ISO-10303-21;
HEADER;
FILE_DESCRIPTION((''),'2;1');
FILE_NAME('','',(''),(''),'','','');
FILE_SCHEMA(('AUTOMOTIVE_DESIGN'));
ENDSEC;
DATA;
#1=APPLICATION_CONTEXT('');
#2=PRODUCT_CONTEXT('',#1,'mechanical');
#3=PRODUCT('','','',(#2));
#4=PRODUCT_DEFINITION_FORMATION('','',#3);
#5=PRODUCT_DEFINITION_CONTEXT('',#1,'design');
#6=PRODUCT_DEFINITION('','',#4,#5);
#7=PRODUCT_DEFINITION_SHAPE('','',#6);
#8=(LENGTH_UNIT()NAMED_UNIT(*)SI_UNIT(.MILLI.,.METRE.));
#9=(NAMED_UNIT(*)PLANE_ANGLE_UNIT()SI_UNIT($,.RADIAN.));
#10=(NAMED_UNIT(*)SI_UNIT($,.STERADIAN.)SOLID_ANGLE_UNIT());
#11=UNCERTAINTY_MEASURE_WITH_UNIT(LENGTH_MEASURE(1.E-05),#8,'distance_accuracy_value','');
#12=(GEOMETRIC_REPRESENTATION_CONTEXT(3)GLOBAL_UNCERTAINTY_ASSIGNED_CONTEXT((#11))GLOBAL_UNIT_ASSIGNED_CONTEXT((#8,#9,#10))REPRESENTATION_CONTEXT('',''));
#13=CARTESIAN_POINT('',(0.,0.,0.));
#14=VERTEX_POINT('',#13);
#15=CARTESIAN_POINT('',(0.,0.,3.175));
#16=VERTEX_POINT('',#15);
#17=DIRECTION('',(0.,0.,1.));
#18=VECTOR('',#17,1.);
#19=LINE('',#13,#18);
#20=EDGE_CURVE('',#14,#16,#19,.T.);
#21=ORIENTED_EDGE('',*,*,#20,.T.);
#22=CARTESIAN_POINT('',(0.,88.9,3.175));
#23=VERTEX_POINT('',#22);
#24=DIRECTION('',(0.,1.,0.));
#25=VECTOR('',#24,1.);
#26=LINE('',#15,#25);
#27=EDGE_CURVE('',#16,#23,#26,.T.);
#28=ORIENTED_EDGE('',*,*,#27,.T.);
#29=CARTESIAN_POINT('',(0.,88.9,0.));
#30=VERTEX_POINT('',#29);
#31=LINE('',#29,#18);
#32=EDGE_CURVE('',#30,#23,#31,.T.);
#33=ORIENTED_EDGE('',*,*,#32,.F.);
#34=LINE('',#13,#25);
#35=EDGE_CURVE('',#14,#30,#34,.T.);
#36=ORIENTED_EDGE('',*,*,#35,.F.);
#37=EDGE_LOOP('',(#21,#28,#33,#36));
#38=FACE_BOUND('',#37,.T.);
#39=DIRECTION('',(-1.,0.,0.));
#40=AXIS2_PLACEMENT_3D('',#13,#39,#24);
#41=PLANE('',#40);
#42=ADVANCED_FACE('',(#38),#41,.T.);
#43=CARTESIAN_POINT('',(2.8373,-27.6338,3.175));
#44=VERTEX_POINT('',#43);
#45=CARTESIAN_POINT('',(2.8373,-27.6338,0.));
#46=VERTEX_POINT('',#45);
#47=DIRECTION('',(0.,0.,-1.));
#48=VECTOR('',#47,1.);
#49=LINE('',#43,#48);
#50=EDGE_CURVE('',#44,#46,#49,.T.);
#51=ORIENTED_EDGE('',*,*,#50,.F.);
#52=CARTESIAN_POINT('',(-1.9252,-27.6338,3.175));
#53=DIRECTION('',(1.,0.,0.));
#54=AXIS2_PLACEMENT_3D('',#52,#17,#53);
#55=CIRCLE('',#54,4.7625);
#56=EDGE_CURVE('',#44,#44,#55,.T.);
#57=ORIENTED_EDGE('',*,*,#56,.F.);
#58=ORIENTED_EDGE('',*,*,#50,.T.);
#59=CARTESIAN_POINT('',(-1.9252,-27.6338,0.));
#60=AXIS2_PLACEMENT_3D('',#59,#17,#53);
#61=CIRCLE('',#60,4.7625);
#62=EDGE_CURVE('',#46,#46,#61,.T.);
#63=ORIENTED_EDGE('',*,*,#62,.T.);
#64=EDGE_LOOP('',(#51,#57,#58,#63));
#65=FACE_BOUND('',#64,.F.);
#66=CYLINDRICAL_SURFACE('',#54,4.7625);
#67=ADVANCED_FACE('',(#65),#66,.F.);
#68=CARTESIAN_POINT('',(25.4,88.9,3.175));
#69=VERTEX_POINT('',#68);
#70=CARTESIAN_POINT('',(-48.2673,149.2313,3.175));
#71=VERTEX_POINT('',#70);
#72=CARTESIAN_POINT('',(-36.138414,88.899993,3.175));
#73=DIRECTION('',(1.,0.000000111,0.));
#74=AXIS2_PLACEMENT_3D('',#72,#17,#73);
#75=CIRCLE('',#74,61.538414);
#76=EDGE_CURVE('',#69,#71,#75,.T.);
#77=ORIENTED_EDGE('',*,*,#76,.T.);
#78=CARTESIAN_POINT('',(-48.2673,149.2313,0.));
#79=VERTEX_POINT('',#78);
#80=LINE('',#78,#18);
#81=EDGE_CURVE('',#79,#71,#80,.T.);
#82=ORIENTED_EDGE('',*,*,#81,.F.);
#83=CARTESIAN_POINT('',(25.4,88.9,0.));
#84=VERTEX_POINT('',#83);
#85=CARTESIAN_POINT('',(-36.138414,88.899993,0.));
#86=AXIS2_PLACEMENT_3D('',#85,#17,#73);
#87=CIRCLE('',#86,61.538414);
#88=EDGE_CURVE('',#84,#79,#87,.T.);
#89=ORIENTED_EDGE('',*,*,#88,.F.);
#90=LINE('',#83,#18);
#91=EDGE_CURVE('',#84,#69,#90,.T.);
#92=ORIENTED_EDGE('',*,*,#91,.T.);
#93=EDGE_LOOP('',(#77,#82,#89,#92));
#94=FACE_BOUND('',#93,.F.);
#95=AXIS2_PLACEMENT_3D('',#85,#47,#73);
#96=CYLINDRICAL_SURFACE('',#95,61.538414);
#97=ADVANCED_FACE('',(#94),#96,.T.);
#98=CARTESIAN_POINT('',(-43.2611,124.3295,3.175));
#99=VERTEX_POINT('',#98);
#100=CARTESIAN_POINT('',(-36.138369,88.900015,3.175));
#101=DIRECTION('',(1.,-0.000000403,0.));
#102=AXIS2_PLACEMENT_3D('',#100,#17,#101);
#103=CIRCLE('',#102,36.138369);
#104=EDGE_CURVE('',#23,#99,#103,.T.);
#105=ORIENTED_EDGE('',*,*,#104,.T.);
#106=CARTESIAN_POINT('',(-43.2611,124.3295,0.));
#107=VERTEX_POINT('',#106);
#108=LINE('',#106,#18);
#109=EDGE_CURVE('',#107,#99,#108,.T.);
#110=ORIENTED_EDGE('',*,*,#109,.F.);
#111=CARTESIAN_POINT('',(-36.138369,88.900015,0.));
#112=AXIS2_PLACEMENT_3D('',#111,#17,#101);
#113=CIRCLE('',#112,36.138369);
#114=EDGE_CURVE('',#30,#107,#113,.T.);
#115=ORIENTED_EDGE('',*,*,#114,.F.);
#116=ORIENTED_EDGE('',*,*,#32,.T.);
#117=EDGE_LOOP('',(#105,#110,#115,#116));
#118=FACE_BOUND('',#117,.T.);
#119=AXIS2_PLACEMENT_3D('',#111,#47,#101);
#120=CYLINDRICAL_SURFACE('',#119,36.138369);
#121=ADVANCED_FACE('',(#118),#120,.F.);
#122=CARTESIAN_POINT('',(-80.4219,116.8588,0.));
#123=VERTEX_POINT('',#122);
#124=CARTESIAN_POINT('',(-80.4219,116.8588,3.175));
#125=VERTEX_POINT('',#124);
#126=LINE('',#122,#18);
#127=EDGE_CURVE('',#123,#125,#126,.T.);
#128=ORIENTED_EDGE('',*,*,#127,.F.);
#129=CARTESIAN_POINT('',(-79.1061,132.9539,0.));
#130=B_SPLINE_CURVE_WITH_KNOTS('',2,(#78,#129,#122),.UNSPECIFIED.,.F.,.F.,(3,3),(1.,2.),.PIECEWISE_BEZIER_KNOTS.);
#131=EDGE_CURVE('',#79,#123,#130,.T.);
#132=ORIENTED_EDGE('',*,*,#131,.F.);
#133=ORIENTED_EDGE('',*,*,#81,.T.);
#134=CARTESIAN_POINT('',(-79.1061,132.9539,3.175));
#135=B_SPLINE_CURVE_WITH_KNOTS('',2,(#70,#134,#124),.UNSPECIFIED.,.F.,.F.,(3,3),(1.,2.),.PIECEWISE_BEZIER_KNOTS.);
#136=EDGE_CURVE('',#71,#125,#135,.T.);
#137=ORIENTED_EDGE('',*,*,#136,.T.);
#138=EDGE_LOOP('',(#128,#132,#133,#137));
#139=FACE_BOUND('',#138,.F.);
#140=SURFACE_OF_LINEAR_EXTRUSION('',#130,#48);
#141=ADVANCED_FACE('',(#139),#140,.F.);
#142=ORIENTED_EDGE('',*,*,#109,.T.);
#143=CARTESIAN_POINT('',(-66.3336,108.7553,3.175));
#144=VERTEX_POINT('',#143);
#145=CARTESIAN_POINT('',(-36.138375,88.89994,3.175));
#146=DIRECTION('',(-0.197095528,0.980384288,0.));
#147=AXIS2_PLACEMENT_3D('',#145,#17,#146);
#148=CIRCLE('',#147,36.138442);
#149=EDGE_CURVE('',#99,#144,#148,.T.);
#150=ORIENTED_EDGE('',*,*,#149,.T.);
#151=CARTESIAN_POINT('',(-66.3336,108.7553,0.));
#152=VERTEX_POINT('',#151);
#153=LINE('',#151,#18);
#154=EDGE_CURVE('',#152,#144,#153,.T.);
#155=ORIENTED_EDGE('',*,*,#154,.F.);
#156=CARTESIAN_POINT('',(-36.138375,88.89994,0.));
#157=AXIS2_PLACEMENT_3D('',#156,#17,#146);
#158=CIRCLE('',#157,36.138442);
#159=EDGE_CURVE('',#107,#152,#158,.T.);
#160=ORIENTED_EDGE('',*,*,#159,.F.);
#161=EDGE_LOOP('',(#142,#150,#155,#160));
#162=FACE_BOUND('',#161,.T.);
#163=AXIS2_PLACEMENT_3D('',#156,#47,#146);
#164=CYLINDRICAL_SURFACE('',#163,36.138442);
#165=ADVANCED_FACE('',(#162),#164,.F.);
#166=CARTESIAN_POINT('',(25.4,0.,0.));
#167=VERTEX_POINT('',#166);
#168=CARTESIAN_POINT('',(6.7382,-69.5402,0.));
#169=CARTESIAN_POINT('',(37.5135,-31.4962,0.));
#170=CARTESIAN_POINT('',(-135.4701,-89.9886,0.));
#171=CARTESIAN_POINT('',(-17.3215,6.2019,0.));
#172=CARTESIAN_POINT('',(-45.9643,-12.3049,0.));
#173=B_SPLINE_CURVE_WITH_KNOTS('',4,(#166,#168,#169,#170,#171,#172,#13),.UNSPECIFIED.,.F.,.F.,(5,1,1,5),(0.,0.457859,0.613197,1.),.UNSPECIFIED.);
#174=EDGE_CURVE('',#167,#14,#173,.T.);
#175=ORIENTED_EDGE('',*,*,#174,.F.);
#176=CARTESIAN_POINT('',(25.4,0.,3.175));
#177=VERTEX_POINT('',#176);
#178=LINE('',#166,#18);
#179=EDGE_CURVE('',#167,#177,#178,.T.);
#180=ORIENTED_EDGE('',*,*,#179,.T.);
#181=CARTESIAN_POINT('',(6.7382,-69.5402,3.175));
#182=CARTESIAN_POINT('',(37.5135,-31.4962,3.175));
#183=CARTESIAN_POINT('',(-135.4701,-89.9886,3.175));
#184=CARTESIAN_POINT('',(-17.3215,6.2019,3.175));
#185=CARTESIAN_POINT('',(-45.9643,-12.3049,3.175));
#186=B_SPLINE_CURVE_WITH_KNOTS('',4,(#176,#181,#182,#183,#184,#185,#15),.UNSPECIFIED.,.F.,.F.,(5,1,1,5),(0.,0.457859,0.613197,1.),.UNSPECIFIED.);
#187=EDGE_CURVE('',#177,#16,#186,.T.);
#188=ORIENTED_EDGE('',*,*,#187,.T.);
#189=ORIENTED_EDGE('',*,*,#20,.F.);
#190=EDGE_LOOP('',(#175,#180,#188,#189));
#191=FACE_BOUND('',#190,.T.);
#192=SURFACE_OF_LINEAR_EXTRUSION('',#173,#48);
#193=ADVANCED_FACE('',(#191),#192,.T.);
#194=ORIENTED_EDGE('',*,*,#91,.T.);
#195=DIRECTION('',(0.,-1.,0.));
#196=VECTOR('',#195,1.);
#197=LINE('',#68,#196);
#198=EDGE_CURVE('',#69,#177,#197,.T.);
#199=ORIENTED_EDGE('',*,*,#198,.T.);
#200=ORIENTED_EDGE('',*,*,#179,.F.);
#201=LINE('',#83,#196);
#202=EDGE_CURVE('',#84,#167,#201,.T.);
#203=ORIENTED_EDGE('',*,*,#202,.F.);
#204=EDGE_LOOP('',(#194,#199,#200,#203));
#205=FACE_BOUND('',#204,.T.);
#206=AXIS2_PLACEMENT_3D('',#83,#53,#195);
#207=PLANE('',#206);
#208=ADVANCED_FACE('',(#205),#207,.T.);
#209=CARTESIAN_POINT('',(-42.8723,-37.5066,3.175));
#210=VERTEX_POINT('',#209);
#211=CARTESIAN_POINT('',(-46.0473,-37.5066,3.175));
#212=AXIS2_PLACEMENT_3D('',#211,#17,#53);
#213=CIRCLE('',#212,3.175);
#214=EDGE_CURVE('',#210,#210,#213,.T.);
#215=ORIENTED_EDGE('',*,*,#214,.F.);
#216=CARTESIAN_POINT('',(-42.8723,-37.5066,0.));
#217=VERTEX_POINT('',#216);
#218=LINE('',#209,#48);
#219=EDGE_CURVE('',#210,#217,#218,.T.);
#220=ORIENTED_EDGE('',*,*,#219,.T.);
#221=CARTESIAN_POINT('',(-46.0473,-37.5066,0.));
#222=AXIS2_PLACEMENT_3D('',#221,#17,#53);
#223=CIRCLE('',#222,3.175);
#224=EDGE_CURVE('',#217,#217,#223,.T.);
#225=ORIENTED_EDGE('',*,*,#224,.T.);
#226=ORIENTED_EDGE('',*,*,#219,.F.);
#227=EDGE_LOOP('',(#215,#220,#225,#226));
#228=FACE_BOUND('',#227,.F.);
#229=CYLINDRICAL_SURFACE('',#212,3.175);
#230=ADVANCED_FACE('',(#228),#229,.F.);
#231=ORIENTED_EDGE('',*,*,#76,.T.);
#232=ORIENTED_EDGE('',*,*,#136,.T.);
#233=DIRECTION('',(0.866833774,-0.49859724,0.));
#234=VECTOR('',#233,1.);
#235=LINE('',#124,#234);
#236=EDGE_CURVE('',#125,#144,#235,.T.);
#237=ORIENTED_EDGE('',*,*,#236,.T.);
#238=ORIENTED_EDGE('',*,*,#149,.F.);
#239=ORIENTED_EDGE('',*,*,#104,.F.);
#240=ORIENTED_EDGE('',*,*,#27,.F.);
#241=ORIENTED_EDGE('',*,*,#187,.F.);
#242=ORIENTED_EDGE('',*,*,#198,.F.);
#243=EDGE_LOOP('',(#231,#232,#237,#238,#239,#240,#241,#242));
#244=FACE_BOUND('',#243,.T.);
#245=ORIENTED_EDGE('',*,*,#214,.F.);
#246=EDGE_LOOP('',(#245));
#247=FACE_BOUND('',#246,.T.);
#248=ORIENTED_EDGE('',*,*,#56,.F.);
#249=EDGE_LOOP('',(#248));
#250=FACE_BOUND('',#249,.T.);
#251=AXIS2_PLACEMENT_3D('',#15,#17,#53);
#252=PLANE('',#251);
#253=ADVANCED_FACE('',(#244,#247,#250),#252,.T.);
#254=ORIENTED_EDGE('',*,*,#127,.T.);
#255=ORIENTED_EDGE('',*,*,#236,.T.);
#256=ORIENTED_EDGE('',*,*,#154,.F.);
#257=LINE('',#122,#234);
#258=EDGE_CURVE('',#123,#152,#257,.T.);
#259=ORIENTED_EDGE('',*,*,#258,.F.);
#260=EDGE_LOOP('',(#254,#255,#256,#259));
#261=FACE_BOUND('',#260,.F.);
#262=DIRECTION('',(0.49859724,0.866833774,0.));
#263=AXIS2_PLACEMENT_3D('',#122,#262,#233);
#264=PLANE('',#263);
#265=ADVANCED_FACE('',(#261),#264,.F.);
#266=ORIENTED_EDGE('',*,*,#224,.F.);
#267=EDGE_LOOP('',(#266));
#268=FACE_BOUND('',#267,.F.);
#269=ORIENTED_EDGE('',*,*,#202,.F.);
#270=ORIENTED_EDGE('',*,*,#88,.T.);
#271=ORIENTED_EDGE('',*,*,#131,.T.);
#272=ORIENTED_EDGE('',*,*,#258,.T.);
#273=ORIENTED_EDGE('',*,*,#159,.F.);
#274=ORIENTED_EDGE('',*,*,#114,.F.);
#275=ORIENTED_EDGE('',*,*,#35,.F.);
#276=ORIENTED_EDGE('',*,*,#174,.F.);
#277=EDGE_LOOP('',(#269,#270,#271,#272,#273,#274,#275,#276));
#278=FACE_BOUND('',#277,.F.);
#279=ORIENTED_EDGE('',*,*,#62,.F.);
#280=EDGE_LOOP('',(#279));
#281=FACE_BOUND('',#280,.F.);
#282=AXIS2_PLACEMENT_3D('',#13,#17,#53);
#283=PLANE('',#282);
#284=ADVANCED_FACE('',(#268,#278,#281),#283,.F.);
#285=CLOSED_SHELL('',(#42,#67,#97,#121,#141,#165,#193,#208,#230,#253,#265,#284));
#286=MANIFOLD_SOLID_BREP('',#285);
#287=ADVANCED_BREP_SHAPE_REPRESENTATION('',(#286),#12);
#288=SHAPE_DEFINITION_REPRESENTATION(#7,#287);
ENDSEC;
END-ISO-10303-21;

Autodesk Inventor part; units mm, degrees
ref_plane "YZ Plane" through (0, 0, 0) normal (1, 0, 0) x (0, 1, 0)
ref_plane "XZ Plane" through (0, 0, 0) normal (0, 1, 0) x (-1, 0, 0)
ref_plane "XY Plane" through (0, 0, 0) normal (0, 0, 1) x (1, 0, 0)
sketch "Sketch1" plane through (0, 0, 0) normal (0, 0, 1) x (1, 0, 0)
  line L0 (0, 0) -> (0, 88.9)
  arc A0 (0, 88.9) -> (-43.2611, 124.3295) centre (-36.1384, 88.9) ccw
  arc A1 (25.4, 88.9) -> (-48.2673, 149.2313) centre (-36.1384, 88.9) ccw
  line L1 (25.4, 88.9) -> (25.4, 0)
  line L2 (-48.2673, 149.2313) -> (-79.1061, 132.9539) construction
  line L3 (-79.1061, 132.9539) -> (-80.4219, 116.8588) construction
  spline S0 degree 2 poles (-48.2673, 149.2313) (-79.1061, 132.9539) (-80.4219, 116.8588) knots 1 1 1 2 2 2
  line L4 (-80.4219, 116.8588) -> (-66.3336, 108.7553)
  arc A2 (-43.2611, 124.3295) -> (-66.3336, 108.7553) centre (-36.1384, 88.9) ccw
  spline S1 degree 4 poles (25.4, 0) (6.7382, -69.5402) (37.5135, -31.4962) (-135.4701, -89.9886) (-17.3215, 6.2019) (-45.9643, -12.3049) (0, 0) knots 0 0 0 0 0 0.457859 0.613197 1 1 1 1 1
  point P0 (8.6177, -48.8789)
  point P1 (-30.2905, -52.2043)
  point P2 (-63.6867, -47.8812)
  point P3 (-50.9086, -23.938)
  point P4 (-36.1384, -9.3062)
  dimension "d0" = 88.9
  dimension "d2" = 25.4
extrude "Extrusion1" add sketch "Sketch1" along normal blind 3.175
sketch "Sketch2" plane through (0, 0, 3.175) normal (0, 0, 1) x (1, 0, 0)
  circle A0 centre (-1.9252, -27.6338) radius 4.7625
  circle A1 centre (-46.0473, -37.5066) radius 3.175
  point P0 (0, 0)
  dimension "d5" = 9.525
  dimension "d6" = 6.35
extrude "Extrusion2" cut sketch "Sketch2" against normal blind 3.175
properties part number "Climb HOok pt 1"
